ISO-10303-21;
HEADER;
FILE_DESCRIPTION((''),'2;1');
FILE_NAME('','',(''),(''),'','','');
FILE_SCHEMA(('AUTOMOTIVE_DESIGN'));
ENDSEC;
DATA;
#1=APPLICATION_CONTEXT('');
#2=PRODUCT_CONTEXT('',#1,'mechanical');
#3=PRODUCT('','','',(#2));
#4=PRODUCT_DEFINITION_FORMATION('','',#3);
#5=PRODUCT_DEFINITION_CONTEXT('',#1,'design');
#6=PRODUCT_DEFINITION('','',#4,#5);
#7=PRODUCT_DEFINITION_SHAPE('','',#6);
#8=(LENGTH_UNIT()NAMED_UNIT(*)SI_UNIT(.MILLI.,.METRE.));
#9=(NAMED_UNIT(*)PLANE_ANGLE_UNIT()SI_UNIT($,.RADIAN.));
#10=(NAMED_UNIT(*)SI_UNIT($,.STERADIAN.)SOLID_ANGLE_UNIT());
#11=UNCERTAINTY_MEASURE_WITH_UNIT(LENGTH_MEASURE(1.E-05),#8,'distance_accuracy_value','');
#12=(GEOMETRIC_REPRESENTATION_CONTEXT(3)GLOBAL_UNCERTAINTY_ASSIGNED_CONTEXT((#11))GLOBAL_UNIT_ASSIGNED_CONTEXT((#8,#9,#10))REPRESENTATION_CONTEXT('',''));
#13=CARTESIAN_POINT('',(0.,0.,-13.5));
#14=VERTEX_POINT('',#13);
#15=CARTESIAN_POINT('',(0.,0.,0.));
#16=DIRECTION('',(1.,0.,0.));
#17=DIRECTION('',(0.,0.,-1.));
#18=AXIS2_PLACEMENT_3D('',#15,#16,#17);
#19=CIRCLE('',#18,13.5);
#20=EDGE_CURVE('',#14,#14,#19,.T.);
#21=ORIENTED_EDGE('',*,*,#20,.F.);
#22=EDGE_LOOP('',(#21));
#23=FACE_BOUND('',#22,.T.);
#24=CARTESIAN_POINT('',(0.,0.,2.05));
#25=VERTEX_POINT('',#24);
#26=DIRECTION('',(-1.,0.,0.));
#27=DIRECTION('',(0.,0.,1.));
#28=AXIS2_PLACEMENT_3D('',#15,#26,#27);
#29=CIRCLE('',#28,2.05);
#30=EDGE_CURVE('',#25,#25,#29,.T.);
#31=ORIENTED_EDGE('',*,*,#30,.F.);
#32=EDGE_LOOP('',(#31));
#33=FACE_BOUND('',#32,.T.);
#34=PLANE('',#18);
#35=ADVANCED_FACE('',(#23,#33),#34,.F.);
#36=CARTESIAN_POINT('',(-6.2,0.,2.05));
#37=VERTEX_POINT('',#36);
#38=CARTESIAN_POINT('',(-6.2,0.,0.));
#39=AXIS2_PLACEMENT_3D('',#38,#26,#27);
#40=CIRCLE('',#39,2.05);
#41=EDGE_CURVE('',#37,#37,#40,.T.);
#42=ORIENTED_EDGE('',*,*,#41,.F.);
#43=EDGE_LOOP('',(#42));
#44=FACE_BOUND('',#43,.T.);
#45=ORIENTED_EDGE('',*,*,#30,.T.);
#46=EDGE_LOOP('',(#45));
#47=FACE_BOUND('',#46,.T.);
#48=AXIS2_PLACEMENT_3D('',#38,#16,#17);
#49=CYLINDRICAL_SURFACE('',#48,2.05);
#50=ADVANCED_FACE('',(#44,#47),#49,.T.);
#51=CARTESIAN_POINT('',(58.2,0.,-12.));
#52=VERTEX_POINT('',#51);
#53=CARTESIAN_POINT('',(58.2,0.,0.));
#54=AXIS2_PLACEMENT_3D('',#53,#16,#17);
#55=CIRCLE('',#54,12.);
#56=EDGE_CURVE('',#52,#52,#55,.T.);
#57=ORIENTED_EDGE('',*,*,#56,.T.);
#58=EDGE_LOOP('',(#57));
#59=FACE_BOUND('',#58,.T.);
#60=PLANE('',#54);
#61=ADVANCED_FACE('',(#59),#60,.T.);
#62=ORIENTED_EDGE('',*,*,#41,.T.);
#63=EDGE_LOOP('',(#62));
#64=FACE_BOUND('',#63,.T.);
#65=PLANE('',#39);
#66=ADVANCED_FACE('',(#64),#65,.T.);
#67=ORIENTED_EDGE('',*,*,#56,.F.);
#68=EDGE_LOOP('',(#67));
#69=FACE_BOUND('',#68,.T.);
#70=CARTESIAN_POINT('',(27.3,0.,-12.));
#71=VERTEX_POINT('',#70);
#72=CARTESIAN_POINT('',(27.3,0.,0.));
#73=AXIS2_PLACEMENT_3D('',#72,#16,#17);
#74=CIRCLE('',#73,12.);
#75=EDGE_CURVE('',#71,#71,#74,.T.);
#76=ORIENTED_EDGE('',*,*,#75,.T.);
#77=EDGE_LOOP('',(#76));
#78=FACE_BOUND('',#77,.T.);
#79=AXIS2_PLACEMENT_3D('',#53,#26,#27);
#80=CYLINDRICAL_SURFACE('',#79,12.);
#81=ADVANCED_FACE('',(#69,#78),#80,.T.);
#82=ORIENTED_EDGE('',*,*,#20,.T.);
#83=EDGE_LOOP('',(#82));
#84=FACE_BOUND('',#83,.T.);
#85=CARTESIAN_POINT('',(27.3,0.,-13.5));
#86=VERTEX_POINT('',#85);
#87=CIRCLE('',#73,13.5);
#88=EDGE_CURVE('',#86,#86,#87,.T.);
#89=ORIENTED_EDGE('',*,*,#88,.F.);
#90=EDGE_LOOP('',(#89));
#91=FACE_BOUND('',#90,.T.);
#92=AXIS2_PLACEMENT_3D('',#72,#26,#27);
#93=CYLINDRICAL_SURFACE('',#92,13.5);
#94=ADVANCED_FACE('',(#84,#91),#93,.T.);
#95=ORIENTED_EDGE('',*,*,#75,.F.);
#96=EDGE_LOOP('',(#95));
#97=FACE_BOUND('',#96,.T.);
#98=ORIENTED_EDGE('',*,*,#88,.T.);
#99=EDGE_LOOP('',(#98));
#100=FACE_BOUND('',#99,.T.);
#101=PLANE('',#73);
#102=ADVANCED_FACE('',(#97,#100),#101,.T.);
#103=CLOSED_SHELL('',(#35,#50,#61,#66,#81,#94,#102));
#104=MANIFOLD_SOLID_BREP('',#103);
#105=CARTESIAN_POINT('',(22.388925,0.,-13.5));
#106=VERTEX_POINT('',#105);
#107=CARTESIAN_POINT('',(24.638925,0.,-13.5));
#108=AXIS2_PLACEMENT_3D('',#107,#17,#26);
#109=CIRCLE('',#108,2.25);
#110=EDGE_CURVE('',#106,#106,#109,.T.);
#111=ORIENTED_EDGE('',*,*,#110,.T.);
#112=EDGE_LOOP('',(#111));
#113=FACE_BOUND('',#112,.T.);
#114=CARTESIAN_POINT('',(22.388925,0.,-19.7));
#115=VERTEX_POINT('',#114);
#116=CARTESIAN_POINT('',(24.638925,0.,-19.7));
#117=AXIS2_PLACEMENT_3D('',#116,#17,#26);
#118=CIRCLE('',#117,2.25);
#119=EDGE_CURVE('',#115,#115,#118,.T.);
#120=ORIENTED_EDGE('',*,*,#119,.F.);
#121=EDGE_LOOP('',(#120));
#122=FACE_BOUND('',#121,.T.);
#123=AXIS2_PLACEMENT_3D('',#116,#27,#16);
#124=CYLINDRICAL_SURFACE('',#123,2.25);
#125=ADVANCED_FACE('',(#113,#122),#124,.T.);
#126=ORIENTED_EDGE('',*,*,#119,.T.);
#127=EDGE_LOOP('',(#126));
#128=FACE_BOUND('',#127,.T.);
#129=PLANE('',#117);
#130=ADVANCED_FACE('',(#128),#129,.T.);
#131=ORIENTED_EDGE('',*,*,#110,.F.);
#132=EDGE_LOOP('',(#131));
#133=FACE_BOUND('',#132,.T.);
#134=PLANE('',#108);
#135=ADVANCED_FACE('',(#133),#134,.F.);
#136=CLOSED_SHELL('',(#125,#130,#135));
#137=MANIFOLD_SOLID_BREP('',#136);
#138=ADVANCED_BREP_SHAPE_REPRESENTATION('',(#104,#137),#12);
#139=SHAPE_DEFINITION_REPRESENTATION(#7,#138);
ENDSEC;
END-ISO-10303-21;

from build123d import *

# Parameters (mm, degrees)
SKETCH_1_R      = 13.5
EXTRUDE_1_DEPTH = 27.3
SKETCH_2_R      = 12
EXTRUDE_2_DEPTH = 30.9
SKETCH_3_R      = 2.05
EXTRUDE_3_DEPTH = 6.2
SKETCH_4_R      = 2.25
EXTRUDE_4_DEPTH = 6.2


with BuildPart() as part:
    # 草图1 → 凸台-拉伸1 (new body)
    with BuildSketch(Plane(origin=(0, 0, 0), x_dir=(0, 0, -1), z_dir=(1, 0, 0))):
        Circle(SKETCH_1_R)
    extrude(amount=EXTRUDE_1_DEPTH)

    # 草图2 → 凸台-拉伸2 (add)
    with BuildSketch(Plane(origin=(27.3, 0, 0), x_dir=(0, 0, -1), z_dir=(1, 0, 0))):
        Circle(SKETCH_2_R)
    extrude(amount=EXTRUDE_2_DEPTH)

    # 草图3 → 凸台-拉伸3 (add)
    with BuildSketch(Plane.ZY):
        Circle(SKETCH_3_R)
    extrude(amount=EXTRUDE_3_DEPTH)


with BuildPart() as body_2:
    # 草图4 → 凸台-拉伸4 (new body)
    with BuildSketch(Plane(origin=(0, 0, -13.5), x_dir=(-1, 0, 0), z_dir=(0, 0, -1))):
        with Locations((-24.6389246, 0)):
            Circle(SKETCH_4_R)
    extrude(amount=EXTRUDE_4_DEPTH)


solid = Compound([part.part, body_2.part])
